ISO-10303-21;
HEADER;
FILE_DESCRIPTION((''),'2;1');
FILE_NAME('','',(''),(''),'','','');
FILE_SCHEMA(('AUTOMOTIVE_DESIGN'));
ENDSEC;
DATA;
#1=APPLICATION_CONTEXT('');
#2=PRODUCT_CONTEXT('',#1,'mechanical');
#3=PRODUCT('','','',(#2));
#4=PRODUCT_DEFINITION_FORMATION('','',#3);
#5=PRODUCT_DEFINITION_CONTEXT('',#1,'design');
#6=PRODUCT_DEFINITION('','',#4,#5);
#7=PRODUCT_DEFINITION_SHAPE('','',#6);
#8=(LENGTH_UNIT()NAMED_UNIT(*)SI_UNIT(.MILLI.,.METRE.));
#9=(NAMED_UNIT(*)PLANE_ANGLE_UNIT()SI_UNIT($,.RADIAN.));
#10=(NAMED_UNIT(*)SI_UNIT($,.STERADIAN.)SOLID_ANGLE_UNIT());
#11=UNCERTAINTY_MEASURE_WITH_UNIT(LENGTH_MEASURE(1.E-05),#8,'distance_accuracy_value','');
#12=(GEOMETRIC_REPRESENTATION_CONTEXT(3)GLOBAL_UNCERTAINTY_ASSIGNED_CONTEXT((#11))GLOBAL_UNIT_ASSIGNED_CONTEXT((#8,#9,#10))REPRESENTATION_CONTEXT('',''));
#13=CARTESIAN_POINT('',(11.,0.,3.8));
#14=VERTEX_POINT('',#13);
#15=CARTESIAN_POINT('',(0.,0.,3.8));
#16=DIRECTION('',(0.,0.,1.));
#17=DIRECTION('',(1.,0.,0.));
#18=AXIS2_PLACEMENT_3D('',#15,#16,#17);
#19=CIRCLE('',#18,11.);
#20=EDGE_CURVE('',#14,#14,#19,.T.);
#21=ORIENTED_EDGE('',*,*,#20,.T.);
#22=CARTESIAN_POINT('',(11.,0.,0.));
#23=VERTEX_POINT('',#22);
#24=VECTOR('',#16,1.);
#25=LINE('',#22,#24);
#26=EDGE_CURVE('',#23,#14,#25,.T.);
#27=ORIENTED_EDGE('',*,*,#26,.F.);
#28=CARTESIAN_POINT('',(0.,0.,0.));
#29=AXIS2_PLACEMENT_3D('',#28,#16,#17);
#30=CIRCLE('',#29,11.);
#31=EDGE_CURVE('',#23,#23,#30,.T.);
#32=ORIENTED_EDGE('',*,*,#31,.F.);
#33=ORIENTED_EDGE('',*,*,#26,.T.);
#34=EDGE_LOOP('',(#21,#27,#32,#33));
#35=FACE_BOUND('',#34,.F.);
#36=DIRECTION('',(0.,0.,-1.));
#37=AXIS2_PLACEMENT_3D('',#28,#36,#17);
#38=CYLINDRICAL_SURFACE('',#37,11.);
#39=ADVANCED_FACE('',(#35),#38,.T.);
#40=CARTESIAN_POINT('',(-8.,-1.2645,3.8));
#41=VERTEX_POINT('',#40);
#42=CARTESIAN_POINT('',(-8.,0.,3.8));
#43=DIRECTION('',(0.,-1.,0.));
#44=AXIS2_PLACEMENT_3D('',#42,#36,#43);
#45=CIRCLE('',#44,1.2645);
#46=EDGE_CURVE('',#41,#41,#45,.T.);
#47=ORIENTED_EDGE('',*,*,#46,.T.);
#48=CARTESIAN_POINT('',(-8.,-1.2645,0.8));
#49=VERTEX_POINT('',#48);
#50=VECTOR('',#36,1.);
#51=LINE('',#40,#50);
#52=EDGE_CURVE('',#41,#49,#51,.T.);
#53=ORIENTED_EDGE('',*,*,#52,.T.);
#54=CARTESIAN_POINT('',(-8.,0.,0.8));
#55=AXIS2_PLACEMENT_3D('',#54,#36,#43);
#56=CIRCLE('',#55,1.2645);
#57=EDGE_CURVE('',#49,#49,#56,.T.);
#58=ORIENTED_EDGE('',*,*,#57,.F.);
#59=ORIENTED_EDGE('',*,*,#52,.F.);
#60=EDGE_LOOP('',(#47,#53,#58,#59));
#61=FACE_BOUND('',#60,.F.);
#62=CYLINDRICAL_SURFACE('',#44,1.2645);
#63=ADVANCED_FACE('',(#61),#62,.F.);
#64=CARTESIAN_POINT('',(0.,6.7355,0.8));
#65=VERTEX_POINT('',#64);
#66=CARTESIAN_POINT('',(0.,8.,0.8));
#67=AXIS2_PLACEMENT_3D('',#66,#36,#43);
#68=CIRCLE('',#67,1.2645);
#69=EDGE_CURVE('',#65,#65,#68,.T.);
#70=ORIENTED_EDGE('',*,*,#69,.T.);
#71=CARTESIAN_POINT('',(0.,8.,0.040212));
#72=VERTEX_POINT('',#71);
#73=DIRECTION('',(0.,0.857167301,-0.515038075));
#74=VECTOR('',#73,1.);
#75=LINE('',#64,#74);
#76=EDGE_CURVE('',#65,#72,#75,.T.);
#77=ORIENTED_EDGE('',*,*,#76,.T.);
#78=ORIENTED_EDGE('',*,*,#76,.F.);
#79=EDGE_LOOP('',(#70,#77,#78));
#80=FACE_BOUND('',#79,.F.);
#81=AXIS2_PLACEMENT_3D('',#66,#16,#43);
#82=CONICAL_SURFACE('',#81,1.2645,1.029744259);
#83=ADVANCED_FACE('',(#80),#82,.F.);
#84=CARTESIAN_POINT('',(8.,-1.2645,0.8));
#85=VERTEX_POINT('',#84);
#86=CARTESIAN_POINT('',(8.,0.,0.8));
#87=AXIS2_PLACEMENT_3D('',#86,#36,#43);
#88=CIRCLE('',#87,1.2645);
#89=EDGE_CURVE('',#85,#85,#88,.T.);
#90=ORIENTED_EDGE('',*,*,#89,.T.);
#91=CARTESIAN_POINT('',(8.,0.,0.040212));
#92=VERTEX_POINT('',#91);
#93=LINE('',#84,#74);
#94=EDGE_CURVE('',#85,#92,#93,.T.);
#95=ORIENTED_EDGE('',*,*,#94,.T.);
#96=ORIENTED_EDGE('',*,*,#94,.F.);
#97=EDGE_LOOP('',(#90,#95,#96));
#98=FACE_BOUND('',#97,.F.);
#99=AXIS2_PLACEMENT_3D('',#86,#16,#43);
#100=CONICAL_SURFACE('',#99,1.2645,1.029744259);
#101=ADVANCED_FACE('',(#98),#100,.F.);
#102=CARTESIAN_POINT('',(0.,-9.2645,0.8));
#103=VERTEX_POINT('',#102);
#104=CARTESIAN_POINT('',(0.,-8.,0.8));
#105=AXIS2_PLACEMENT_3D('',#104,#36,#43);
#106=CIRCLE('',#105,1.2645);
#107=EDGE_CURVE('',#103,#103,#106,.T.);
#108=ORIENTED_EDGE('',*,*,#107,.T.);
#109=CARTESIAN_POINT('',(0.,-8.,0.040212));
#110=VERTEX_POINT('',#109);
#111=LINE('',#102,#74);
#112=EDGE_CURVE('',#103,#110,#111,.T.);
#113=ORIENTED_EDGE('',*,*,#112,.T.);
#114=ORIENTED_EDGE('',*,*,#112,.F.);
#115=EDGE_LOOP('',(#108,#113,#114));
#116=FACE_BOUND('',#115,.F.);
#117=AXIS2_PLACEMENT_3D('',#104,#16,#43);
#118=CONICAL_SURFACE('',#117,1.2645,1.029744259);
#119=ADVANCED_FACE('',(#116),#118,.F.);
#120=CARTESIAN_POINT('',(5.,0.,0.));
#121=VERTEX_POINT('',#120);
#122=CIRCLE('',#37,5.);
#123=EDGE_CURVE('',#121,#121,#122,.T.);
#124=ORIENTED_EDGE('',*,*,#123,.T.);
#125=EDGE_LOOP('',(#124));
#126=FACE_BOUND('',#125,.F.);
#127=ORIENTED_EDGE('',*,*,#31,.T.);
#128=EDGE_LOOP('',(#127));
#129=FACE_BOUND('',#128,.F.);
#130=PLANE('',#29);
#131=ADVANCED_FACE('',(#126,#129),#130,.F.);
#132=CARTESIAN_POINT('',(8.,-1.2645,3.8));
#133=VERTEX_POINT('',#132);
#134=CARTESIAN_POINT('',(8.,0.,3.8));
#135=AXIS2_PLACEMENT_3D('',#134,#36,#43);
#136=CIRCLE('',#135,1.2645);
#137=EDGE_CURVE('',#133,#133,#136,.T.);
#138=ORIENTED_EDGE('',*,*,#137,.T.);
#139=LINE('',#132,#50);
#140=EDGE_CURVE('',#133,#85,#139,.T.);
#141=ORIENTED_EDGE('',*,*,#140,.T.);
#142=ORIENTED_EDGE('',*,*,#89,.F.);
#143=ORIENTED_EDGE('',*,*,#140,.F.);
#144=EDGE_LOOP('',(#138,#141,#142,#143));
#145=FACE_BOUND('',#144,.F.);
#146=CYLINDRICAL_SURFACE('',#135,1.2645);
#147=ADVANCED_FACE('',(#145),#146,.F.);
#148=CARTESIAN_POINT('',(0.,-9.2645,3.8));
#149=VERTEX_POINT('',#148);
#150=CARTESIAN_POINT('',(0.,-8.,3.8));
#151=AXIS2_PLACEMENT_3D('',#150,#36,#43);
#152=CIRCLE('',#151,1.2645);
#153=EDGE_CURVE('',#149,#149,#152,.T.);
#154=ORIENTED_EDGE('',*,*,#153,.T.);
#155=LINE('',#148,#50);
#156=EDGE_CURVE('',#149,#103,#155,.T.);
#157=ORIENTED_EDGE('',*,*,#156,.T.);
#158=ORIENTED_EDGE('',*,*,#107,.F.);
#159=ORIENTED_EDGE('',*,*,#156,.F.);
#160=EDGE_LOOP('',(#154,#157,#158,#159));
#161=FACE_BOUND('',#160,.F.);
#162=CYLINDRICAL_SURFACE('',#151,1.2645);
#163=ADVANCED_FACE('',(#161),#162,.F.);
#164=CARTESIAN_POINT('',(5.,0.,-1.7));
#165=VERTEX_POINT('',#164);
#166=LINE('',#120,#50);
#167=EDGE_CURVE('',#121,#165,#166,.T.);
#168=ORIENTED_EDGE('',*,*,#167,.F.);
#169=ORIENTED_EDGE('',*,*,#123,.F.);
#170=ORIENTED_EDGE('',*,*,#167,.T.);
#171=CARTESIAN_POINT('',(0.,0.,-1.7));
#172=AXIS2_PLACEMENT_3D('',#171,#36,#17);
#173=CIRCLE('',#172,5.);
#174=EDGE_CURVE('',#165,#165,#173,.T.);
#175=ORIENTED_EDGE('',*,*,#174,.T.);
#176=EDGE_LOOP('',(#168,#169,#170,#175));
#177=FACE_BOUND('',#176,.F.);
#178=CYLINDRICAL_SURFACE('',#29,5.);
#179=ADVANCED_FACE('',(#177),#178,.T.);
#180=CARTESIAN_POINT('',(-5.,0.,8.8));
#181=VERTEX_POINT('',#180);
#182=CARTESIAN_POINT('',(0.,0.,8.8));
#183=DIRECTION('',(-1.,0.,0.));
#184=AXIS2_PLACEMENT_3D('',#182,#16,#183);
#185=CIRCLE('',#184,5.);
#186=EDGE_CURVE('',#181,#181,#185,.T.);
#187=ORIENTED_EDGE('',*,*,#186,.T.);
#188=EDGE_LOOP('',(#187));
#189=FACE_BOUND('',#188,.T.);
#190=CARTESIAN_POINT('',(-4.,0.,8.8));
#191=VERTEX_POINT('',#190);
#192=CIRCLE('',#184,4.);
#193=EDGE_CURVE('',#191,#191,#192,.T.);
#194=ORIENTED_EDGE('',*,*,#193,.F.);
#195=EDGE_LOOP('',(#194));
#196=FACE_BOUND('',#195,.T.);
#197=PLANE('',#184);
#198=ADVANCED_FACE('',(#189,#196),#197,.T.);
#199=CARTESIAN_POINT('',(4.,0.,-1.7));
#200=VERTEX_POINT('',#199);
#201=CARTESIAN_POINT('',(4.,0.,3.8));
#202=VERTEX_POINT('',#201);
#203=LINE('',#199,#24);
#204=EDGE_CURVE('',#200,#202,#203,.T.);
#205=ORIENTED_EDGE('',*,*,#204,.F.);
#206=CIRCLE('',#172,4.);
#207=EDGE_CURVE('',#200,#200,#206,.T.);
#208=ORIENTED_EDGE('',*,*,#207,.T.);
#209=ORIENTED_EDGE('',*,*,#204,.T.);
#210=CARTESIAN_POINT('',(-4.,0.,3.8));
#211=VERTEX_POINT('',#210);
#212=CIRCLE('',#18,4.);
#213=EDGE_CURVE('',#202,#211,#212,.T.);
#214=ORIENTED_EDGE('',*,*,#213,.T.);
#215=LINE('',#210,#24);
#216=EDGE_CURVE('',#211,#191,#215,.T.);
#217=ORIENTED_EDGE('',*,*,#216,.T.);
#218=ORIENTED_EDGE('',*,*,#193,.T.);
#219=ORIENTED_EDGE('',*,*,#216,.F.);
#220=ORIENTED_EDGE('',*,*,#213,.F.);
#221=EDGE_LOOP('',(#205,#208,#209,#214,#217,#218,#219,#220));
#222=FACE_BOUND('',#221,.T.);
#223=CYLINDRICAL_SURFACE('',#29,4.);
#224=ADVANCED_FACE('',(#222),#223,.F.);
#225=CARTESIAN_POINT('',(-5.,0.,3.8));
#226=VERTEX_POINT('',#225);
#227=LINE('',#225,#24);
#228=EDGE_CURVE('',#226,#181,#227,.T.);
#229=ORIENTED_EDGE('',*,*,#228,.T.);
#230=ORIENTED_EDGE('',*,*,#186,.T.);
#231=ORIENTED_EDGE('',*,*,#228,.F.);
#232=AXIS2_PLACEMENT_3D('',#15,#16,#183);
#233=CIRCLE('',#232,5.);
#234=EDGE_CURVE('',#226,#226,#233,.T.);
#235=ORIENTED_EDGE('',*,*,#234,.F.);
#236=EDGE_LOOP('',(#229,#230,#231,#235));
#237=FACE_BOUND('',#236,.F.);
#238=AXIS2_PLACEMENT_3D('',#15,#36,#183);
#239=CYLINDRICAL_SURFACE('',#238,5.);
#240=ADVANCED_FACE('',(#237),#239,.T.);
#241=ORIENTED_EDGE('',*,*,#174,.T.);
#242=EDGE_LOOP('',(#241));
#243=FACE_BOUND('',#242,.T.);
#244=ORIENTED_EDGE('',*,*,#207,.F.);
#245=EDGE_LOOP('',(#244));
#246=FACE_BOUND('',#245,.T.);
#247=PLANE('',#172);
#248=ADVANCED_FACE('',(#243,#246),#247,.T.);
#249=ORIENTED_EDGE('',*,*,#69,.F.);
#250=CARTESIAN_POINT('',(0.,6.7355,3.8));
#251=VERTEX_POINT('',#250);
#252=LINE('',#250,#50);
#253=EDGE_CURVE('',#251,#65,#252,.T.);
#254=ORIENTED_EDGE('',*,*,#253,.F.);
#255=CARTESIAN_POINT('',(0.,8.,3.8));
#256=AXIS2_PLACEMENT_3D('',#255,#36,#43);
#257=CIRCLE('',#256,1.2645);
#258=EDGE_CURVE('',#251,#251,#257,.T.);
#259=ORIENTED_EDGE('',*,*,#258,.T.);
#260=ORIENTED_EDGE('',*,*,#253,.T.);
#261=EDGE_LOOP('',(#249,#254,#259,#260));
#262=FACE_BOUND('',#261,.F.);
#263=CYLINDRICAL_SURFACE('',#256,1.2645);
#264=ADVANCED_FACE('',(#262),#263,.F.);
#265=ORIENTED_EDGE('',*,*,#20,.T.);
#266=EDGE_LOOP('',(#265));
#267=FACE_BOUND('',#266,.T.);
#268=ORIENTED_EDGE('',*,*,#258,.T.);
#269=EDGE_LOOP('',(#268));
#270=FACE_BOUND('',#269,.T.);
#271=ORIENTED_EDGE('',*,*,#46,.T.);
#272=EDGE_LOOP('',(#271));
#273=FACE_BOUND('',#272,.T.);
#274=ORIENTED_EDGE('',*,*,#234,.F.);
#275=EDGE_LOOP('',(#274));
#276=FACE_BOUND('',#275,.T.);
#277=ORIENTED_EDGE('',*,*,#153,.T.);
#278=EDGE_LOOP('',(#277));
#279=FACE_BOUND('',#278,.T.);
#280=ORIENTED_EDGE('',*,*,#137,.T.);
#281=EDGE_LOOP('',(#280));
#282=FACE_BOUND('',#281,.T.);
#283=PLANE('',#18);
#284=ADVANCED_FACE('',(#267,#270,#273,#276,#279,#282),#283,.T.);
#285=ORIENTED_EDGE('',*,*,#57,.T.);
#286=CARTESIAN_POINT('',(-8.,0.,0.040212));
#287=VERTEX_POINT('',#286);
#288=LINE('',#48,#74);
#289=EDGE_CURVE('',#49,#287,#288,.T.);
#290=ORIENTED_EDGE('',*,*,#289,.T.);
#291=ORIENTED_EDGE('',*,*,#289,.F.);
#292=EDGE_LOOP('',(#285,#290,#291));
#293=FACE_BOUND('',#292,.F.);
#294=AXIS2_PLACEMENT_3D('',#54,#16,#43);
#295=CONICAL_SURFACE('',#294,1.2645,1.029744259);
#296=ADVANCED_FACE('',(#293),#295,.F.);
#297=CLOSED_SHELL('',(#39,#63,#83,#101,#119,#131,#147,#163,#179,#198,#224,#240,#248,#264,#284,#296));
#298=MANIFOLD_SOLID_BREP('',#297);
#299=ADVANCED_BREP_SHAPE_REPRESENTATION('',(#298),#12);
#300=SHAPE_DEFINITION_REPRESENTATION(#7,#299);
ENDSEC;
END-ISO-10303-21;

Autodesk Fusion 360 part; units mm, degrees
sketch "Sketch1" plane through (0, 0, 0) normal (0, 0, 1) x (1, 0, 0)
  circle A0 centre (0, 0) radius 11
  circle A1 centre (0, 0) radius 4
  dimension "d1_4" = 22
  dimension "d2_4" = 8
extrude "Extrude1" add sketch "Sketch1" along normal blind 3.8
sketch "Sketch2" plane through (0, 0, 3.8) normal (0, 0, 1) x (-1, 0, 0)
  circle A0 centre (0, 0) radius 4
  circle A1 centre (0, 0) radius 11
  circle A2 centre (0, 0) radius 5
  dimension "d5_1" = 10
extrude "Extrude2" add sketch "Sketch2" along normal blind 5 contours A2
sketch "Sketch3" plane through (0, 0, 0) normal (0, 0, -1) x (1, 0, 0)
  circle A0 centre (0, 0) radius 4
  circle A1 centre (0, 0) radius 11
  circle A2 centre (0, 0) radius 5
  dimension "d8_1" = 10
extrude "Extrude3" add sketch "Sketch3" along normal blind 1.7 contours A2
sketch "Sketch4" plane through (0, 0, 3.8) normal (0, 0, 1) x (-1, 0, 0)
  circle A0 centre (0, 0) radius 5
  circle A1 centre (0, 0) radius 11
  circle A2 centre (0, 0) radius 8 construction
  circle A3 centre (0, 8) radius 1.4
  line L0 (0, 0) -> (-15, 0) construction
  circle A4 centre (-8, 0) radius 1.4
  circle A5 centre (8, 0) radius 1.4
  circle A6 centre (0, -8) radius 1.4
  dimension "d11_1" = 16
  dimension "d12_1" = 2.8
  dimension "d13_1" = 2.8
  dimension "d14_1" = 2.8
  dimension "d15_1" = 2.8
hole "Hole1" at (8, 0, 3.8) at (0, 8, 3.8) at (0, -8, 3.8) at (-8, 0, 3.8) direction (0, 0, -1) diameter 2.529 depth 3 tip angle 118
thread "Thread2" thread offset 0 thread length 10
equation "d9_1 = 10.5 mm - 8.8 mm"
